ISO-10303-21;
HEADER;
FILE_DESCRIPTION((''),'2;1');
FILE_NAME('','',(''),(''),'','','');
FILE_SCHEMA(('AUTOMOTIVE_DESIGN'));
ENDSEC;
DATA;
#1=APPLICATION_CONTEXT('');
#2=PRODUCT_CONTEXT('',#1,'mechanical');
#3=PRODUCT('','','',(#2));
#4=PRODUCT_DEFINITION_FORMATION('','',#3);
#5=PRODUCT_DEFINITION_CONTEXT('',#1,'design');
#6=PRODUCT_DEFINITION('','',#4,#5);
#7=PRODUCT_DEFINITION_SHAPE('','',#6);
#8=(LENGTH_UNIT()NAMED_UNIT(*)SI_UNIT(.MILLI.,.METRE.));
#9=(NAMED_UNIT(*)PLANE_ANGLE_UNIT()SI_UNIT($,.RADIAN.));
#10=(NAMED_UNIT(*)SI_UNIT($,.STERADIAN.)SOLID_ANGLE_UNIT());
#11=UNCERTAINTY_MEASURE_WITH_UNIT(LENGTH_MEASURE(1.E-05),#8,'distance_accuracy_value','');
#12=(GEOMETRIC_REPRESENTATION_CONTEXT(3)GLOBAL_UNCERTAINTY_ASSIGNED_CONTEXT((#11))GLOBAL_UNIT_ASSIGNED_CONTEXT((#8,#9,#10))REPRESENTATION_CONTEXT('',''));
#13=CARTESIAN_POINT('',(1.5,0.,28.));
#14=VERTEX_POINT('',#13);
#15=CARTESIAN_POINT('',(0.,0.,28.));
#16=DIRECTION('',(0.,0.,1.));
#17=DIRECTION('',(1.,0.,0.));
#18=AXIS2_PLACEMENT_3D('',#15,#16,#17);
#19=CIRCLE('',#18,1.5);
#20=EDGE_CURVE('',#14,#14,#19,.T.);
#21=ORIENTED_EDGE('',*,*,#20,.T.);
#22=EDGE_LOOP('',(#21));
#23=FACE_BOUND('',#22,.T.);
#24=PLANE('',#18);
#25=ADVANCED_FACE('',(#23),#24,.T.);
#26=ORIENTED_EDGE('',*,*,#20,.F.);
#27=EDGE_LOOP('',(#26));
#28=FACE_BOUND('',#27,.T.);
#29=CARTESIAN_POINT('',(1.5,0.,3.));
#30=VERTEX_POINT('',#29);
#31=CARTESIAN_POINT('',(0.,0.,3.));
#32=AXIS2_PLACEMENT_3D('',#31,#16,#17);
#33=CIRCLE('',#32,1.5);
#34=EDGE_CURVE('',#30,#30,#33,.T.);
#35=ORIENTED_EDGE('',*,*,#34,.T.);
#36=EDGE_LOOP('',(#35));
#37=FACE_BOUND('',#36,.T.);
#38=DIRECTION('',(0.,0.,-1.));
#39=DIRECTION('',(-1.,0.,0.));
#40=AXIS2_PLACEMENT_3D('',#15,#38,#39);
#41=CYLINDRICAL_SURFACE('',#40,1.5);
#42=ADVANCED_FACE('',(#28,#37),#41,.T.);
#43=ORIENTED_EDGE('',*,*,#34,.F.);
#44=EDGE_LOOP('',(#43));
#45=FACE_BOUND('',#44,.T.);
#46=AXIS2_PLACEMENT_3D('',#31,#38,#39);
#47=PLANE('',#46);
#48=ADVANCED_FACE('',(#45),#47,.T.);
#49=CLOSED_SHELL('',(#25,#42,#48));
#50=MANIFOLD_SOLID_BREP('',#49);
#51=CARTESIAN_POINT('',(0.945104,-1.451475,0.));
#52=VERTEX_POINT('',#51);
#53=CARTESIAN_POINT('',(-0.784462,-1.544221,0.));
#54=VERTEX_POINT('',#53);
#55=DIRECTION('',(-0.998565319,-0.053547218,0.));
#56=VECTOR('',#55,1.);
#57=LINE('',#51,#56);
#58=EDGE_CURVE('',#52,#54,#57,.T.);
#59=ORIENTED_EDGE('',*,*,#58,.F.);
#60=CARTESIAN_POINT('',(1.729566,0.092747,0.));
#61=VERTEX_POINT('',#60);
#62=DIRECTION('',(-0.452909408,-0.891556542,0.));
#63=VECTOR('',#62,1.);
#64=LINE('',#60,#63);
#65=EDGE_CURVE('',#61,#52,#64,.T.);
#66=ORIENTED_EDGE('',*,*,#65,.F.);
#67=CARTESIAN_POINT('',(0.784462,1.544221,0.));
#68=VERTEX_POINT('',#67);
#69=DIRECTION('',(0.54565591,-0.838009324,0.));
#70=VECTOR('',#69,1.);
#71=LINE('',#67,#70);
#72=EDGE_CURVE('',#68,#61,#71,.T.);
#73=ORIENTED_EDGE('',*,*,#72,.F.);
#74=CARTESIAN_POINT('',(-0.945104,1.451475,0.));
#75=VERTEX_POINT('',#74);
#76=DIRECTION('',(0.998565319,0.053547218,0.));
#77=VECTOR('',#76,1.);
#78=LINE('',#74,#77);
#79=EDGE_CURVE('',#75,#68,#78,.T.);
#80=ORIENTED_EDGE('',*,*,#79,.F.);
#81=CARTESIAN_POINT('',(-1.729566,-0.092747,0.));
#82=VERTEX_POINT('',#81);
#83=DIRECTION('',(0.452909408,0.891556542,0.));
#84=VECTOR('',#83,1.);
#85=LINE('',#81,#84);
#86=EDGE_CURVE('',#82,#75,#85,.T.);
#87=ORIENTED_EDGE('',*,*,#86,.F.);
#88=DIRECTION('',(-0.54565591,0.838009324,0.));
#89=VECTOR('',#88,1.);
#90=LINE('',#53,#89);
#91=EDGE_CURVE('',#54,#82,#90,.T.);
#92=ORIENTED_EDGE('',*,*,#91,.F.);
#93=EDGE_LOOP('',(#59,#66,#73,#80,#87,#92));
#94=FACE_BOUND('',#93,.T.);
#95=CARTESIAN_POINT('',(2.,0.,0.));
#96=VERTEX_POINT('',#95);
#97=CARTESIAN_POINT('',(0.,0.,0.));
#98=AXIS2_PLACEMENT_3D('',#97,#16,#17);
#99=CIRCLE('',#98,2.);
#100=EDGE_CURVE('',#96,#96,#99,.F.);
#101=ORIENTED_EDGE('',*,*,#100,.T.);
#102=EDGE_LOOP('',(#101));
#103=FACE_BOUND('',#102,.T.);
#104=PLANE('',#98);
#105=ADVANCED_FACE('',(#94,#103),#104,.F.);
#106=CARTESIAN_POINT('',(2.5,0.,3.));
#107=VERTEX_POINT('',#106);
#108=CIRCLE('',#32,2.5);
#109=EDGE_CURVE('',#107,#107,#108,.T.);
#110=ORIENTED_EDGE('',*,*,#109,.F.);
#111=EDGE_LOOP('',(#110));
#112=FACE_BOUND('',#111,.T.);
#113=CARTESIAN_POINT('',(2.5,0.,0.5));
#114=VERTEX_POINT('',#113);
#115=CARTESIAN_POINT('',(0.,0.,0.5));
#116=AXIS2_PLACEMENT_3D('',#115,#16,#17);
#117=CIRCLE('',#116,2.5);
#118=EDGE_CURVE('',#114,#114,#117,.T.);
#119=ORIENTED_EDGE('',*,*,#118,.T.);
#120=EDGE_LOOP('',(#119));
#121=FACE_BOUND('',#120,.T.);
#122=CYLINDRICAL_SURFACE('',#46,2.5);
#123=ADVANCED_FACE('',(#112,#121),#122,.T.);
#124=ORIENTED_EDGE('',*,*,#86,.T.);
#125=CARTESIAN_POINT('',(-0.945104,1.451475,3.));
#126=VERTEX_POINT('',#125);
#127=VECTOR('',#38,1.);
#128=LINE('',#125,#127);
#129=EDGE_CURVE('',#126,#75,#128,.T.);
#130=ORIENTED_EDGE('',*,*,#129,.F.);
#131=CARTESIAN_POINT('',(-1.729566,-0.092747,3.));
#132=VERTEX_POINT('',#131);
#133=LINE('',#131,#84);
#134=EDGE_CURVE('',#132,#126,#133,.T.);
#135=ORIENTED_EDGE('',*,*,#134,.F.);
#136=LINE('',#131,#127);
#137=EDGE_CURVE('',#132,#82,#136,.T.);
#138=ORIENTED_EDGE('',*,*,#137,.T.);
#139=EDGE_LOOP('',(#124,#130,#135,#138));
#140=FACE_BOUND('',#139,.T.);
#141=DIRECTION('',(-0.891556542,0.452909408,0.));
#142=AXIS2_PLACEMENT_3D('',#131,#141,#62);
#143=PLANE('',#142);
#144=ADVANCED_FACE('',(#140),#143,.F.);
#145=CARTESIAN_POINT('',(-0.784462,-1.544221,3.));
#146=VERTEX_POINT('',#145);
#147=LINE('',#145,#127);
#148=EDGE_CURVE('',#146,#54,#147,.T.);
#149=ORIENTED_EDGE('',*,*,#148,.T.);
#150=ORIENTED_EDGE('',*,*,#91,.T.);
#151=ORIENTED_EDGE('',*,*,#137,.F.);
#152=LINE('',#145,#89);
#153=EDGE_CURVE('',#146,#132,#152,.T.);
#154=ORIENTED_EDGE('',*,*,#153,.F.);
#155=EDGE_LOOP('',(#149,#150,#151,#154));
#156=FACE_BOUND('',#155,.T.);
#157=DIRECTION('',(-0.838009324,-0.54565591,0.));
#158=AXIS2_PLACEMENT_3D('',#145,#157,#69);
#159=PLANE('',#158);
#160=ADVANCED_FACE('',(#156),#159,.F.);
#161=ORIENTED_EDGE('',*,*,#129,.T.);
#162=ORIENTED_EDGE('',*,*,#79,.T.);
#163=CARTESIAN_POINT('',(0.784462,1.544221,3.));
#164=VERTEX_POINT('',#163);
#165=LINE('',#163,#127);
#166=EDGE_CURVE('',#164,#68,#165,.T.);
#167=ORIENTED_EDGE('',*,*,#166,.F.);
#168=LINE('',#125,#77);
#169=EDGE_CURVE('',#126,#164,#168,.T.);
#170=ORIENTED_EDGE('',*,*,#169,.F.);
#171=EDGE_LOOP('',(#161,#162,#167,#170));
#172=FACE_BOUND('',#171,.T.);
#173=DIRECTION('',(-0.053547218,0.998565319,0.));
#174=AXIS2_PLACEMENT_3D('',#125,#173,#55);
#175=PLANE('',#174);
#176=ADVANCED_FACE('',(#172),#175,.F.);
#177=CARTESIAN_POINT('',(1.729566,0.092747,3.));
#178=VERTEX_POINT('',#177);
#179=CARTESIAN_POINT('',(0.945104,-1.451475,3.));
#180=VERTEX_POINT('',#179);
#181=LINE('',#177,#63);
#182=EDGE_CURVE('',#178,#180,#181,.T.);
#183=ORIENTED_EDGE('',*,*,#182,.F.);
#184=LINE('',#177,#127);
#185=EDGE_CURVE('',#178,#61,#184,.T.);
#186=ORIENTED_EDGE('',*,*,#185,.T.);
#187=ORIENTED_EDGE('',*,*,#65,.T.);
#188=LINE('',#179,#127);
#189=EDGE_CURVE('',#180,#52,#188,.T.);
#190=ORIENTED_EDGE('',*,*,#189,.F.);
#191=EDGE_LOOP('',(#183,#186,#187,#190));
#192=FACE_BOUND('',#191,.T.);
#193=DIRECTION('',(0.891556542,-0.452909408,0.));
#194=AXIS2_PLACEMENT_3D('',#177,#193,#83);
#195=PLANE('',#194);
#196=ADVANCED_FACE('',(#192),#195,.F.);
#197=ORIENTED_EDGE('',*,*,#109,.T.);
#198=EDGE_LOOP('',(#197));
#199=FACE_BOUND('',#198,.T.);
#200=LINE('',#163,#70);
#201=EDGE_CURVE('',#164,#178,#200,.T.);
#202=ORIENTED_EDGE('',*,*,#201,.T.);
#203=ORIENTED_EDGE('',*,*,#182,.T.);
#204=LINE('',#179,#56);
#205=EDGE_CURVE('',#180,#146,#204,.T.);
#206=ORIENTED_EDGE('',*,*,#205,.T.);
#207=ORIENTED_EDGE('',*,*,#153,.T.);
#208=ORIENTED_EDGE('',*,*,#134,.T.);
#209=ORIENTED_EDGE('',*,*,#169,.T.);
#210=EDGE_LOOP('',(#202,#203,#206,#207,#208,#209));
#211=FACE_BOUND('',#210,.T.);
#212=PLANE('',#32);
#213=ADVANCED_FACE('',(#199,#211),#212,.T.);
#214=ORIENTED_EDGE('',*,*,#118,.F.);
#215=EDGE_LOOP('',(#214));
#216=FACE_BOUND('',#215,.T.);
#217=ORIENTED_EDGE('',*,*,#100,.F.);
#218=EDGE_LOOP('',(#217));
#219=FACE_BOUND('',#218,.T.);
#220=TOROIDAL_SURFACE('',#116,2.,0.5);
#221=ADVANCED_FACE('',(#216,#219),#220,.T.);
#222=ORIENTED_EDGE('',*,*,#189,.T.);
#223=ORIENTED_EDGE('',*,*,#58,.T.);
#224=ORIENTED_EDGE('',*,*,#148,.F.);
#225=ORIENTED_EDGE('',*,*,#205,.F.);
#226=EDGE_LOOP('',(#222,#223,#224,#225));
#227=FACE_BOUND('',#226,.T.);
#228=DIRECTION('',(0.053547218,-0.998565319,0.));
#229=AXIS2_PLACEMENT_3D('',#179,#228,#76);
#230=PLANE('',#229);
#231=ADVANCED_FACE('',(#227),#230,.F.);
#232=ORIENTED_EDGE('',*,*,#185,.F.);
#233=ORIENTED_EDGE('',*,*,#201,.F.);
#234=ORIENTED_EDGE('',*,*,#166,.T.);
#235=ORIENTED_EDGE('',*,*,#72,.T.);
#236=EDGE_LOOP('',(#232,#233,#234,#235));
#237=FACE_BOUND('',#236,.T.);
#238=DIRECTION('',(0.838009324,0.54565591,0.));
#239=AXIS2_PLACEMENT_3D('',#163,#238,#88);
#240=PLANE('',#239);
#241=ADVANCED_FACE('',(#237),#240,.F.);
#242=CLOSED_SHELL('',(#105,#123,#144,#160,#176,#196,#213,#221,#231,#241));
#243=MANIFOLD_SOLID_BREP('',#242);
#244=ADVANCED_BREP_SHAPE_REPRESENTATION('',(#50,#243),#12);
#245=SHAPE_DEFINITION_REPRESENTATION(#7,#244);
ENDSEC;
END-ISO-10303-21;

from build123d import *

# Parameters (mm, degrees)
SKETCH1_R           = 2.5
BOSS_EXTRUDE1_DEPTH = 3
SKETCH2_R           = 1.5
BOSS_EXTRUDE2_DEPTH = 25
CUT_EXTRUDE1_DEPTH  = 3
FILLET1_R           = 0.5


with BuildPart() as part:
    # Sketch1 → Boss-Extrude1 (new body)
    with BuildSketch(Plane.XY):
        Circle(SKETCH1_R)
    extrude(amount=BOSS_EXTRUDE1_DEPTH)

    # Sketch2 → Boss-Extrude2 (add)
    with BuildSketch(Plane.XY.offset(3)):
        Circle(SKETCH2_R)
    extrude(amount=BOSS_EXTRUDE2_DEPTH)

    # Sketch3 → Cut-Extrude1 (cut)
    with BuildSketch(Plane(origin=(0, 0, 0), x_dir=(-1, 0, 0), z_dir=(0, 0, -1))):
        Polygon((0.784462107, -1.544221229), (1.729565866, -0.092746502), (0.94510376, 1.451474727), (-0.784462107, 1.544221229), (-1.729565866, 0.092746502), (-0.94510376, -1.451474727), align=None)
    extrude(amount=-CUT_EXTRUDE1_DEPTH, mode=Mode.SUBTRACT)

    # Fillet1
    fillet1_edges = [part.edges().sort_by_distance(p)[0] for p in [
        (-2.5, 0, 0),
    ]]
    fillet(fillet1_edges, radius=FILLET1_R)


solid = part.part
